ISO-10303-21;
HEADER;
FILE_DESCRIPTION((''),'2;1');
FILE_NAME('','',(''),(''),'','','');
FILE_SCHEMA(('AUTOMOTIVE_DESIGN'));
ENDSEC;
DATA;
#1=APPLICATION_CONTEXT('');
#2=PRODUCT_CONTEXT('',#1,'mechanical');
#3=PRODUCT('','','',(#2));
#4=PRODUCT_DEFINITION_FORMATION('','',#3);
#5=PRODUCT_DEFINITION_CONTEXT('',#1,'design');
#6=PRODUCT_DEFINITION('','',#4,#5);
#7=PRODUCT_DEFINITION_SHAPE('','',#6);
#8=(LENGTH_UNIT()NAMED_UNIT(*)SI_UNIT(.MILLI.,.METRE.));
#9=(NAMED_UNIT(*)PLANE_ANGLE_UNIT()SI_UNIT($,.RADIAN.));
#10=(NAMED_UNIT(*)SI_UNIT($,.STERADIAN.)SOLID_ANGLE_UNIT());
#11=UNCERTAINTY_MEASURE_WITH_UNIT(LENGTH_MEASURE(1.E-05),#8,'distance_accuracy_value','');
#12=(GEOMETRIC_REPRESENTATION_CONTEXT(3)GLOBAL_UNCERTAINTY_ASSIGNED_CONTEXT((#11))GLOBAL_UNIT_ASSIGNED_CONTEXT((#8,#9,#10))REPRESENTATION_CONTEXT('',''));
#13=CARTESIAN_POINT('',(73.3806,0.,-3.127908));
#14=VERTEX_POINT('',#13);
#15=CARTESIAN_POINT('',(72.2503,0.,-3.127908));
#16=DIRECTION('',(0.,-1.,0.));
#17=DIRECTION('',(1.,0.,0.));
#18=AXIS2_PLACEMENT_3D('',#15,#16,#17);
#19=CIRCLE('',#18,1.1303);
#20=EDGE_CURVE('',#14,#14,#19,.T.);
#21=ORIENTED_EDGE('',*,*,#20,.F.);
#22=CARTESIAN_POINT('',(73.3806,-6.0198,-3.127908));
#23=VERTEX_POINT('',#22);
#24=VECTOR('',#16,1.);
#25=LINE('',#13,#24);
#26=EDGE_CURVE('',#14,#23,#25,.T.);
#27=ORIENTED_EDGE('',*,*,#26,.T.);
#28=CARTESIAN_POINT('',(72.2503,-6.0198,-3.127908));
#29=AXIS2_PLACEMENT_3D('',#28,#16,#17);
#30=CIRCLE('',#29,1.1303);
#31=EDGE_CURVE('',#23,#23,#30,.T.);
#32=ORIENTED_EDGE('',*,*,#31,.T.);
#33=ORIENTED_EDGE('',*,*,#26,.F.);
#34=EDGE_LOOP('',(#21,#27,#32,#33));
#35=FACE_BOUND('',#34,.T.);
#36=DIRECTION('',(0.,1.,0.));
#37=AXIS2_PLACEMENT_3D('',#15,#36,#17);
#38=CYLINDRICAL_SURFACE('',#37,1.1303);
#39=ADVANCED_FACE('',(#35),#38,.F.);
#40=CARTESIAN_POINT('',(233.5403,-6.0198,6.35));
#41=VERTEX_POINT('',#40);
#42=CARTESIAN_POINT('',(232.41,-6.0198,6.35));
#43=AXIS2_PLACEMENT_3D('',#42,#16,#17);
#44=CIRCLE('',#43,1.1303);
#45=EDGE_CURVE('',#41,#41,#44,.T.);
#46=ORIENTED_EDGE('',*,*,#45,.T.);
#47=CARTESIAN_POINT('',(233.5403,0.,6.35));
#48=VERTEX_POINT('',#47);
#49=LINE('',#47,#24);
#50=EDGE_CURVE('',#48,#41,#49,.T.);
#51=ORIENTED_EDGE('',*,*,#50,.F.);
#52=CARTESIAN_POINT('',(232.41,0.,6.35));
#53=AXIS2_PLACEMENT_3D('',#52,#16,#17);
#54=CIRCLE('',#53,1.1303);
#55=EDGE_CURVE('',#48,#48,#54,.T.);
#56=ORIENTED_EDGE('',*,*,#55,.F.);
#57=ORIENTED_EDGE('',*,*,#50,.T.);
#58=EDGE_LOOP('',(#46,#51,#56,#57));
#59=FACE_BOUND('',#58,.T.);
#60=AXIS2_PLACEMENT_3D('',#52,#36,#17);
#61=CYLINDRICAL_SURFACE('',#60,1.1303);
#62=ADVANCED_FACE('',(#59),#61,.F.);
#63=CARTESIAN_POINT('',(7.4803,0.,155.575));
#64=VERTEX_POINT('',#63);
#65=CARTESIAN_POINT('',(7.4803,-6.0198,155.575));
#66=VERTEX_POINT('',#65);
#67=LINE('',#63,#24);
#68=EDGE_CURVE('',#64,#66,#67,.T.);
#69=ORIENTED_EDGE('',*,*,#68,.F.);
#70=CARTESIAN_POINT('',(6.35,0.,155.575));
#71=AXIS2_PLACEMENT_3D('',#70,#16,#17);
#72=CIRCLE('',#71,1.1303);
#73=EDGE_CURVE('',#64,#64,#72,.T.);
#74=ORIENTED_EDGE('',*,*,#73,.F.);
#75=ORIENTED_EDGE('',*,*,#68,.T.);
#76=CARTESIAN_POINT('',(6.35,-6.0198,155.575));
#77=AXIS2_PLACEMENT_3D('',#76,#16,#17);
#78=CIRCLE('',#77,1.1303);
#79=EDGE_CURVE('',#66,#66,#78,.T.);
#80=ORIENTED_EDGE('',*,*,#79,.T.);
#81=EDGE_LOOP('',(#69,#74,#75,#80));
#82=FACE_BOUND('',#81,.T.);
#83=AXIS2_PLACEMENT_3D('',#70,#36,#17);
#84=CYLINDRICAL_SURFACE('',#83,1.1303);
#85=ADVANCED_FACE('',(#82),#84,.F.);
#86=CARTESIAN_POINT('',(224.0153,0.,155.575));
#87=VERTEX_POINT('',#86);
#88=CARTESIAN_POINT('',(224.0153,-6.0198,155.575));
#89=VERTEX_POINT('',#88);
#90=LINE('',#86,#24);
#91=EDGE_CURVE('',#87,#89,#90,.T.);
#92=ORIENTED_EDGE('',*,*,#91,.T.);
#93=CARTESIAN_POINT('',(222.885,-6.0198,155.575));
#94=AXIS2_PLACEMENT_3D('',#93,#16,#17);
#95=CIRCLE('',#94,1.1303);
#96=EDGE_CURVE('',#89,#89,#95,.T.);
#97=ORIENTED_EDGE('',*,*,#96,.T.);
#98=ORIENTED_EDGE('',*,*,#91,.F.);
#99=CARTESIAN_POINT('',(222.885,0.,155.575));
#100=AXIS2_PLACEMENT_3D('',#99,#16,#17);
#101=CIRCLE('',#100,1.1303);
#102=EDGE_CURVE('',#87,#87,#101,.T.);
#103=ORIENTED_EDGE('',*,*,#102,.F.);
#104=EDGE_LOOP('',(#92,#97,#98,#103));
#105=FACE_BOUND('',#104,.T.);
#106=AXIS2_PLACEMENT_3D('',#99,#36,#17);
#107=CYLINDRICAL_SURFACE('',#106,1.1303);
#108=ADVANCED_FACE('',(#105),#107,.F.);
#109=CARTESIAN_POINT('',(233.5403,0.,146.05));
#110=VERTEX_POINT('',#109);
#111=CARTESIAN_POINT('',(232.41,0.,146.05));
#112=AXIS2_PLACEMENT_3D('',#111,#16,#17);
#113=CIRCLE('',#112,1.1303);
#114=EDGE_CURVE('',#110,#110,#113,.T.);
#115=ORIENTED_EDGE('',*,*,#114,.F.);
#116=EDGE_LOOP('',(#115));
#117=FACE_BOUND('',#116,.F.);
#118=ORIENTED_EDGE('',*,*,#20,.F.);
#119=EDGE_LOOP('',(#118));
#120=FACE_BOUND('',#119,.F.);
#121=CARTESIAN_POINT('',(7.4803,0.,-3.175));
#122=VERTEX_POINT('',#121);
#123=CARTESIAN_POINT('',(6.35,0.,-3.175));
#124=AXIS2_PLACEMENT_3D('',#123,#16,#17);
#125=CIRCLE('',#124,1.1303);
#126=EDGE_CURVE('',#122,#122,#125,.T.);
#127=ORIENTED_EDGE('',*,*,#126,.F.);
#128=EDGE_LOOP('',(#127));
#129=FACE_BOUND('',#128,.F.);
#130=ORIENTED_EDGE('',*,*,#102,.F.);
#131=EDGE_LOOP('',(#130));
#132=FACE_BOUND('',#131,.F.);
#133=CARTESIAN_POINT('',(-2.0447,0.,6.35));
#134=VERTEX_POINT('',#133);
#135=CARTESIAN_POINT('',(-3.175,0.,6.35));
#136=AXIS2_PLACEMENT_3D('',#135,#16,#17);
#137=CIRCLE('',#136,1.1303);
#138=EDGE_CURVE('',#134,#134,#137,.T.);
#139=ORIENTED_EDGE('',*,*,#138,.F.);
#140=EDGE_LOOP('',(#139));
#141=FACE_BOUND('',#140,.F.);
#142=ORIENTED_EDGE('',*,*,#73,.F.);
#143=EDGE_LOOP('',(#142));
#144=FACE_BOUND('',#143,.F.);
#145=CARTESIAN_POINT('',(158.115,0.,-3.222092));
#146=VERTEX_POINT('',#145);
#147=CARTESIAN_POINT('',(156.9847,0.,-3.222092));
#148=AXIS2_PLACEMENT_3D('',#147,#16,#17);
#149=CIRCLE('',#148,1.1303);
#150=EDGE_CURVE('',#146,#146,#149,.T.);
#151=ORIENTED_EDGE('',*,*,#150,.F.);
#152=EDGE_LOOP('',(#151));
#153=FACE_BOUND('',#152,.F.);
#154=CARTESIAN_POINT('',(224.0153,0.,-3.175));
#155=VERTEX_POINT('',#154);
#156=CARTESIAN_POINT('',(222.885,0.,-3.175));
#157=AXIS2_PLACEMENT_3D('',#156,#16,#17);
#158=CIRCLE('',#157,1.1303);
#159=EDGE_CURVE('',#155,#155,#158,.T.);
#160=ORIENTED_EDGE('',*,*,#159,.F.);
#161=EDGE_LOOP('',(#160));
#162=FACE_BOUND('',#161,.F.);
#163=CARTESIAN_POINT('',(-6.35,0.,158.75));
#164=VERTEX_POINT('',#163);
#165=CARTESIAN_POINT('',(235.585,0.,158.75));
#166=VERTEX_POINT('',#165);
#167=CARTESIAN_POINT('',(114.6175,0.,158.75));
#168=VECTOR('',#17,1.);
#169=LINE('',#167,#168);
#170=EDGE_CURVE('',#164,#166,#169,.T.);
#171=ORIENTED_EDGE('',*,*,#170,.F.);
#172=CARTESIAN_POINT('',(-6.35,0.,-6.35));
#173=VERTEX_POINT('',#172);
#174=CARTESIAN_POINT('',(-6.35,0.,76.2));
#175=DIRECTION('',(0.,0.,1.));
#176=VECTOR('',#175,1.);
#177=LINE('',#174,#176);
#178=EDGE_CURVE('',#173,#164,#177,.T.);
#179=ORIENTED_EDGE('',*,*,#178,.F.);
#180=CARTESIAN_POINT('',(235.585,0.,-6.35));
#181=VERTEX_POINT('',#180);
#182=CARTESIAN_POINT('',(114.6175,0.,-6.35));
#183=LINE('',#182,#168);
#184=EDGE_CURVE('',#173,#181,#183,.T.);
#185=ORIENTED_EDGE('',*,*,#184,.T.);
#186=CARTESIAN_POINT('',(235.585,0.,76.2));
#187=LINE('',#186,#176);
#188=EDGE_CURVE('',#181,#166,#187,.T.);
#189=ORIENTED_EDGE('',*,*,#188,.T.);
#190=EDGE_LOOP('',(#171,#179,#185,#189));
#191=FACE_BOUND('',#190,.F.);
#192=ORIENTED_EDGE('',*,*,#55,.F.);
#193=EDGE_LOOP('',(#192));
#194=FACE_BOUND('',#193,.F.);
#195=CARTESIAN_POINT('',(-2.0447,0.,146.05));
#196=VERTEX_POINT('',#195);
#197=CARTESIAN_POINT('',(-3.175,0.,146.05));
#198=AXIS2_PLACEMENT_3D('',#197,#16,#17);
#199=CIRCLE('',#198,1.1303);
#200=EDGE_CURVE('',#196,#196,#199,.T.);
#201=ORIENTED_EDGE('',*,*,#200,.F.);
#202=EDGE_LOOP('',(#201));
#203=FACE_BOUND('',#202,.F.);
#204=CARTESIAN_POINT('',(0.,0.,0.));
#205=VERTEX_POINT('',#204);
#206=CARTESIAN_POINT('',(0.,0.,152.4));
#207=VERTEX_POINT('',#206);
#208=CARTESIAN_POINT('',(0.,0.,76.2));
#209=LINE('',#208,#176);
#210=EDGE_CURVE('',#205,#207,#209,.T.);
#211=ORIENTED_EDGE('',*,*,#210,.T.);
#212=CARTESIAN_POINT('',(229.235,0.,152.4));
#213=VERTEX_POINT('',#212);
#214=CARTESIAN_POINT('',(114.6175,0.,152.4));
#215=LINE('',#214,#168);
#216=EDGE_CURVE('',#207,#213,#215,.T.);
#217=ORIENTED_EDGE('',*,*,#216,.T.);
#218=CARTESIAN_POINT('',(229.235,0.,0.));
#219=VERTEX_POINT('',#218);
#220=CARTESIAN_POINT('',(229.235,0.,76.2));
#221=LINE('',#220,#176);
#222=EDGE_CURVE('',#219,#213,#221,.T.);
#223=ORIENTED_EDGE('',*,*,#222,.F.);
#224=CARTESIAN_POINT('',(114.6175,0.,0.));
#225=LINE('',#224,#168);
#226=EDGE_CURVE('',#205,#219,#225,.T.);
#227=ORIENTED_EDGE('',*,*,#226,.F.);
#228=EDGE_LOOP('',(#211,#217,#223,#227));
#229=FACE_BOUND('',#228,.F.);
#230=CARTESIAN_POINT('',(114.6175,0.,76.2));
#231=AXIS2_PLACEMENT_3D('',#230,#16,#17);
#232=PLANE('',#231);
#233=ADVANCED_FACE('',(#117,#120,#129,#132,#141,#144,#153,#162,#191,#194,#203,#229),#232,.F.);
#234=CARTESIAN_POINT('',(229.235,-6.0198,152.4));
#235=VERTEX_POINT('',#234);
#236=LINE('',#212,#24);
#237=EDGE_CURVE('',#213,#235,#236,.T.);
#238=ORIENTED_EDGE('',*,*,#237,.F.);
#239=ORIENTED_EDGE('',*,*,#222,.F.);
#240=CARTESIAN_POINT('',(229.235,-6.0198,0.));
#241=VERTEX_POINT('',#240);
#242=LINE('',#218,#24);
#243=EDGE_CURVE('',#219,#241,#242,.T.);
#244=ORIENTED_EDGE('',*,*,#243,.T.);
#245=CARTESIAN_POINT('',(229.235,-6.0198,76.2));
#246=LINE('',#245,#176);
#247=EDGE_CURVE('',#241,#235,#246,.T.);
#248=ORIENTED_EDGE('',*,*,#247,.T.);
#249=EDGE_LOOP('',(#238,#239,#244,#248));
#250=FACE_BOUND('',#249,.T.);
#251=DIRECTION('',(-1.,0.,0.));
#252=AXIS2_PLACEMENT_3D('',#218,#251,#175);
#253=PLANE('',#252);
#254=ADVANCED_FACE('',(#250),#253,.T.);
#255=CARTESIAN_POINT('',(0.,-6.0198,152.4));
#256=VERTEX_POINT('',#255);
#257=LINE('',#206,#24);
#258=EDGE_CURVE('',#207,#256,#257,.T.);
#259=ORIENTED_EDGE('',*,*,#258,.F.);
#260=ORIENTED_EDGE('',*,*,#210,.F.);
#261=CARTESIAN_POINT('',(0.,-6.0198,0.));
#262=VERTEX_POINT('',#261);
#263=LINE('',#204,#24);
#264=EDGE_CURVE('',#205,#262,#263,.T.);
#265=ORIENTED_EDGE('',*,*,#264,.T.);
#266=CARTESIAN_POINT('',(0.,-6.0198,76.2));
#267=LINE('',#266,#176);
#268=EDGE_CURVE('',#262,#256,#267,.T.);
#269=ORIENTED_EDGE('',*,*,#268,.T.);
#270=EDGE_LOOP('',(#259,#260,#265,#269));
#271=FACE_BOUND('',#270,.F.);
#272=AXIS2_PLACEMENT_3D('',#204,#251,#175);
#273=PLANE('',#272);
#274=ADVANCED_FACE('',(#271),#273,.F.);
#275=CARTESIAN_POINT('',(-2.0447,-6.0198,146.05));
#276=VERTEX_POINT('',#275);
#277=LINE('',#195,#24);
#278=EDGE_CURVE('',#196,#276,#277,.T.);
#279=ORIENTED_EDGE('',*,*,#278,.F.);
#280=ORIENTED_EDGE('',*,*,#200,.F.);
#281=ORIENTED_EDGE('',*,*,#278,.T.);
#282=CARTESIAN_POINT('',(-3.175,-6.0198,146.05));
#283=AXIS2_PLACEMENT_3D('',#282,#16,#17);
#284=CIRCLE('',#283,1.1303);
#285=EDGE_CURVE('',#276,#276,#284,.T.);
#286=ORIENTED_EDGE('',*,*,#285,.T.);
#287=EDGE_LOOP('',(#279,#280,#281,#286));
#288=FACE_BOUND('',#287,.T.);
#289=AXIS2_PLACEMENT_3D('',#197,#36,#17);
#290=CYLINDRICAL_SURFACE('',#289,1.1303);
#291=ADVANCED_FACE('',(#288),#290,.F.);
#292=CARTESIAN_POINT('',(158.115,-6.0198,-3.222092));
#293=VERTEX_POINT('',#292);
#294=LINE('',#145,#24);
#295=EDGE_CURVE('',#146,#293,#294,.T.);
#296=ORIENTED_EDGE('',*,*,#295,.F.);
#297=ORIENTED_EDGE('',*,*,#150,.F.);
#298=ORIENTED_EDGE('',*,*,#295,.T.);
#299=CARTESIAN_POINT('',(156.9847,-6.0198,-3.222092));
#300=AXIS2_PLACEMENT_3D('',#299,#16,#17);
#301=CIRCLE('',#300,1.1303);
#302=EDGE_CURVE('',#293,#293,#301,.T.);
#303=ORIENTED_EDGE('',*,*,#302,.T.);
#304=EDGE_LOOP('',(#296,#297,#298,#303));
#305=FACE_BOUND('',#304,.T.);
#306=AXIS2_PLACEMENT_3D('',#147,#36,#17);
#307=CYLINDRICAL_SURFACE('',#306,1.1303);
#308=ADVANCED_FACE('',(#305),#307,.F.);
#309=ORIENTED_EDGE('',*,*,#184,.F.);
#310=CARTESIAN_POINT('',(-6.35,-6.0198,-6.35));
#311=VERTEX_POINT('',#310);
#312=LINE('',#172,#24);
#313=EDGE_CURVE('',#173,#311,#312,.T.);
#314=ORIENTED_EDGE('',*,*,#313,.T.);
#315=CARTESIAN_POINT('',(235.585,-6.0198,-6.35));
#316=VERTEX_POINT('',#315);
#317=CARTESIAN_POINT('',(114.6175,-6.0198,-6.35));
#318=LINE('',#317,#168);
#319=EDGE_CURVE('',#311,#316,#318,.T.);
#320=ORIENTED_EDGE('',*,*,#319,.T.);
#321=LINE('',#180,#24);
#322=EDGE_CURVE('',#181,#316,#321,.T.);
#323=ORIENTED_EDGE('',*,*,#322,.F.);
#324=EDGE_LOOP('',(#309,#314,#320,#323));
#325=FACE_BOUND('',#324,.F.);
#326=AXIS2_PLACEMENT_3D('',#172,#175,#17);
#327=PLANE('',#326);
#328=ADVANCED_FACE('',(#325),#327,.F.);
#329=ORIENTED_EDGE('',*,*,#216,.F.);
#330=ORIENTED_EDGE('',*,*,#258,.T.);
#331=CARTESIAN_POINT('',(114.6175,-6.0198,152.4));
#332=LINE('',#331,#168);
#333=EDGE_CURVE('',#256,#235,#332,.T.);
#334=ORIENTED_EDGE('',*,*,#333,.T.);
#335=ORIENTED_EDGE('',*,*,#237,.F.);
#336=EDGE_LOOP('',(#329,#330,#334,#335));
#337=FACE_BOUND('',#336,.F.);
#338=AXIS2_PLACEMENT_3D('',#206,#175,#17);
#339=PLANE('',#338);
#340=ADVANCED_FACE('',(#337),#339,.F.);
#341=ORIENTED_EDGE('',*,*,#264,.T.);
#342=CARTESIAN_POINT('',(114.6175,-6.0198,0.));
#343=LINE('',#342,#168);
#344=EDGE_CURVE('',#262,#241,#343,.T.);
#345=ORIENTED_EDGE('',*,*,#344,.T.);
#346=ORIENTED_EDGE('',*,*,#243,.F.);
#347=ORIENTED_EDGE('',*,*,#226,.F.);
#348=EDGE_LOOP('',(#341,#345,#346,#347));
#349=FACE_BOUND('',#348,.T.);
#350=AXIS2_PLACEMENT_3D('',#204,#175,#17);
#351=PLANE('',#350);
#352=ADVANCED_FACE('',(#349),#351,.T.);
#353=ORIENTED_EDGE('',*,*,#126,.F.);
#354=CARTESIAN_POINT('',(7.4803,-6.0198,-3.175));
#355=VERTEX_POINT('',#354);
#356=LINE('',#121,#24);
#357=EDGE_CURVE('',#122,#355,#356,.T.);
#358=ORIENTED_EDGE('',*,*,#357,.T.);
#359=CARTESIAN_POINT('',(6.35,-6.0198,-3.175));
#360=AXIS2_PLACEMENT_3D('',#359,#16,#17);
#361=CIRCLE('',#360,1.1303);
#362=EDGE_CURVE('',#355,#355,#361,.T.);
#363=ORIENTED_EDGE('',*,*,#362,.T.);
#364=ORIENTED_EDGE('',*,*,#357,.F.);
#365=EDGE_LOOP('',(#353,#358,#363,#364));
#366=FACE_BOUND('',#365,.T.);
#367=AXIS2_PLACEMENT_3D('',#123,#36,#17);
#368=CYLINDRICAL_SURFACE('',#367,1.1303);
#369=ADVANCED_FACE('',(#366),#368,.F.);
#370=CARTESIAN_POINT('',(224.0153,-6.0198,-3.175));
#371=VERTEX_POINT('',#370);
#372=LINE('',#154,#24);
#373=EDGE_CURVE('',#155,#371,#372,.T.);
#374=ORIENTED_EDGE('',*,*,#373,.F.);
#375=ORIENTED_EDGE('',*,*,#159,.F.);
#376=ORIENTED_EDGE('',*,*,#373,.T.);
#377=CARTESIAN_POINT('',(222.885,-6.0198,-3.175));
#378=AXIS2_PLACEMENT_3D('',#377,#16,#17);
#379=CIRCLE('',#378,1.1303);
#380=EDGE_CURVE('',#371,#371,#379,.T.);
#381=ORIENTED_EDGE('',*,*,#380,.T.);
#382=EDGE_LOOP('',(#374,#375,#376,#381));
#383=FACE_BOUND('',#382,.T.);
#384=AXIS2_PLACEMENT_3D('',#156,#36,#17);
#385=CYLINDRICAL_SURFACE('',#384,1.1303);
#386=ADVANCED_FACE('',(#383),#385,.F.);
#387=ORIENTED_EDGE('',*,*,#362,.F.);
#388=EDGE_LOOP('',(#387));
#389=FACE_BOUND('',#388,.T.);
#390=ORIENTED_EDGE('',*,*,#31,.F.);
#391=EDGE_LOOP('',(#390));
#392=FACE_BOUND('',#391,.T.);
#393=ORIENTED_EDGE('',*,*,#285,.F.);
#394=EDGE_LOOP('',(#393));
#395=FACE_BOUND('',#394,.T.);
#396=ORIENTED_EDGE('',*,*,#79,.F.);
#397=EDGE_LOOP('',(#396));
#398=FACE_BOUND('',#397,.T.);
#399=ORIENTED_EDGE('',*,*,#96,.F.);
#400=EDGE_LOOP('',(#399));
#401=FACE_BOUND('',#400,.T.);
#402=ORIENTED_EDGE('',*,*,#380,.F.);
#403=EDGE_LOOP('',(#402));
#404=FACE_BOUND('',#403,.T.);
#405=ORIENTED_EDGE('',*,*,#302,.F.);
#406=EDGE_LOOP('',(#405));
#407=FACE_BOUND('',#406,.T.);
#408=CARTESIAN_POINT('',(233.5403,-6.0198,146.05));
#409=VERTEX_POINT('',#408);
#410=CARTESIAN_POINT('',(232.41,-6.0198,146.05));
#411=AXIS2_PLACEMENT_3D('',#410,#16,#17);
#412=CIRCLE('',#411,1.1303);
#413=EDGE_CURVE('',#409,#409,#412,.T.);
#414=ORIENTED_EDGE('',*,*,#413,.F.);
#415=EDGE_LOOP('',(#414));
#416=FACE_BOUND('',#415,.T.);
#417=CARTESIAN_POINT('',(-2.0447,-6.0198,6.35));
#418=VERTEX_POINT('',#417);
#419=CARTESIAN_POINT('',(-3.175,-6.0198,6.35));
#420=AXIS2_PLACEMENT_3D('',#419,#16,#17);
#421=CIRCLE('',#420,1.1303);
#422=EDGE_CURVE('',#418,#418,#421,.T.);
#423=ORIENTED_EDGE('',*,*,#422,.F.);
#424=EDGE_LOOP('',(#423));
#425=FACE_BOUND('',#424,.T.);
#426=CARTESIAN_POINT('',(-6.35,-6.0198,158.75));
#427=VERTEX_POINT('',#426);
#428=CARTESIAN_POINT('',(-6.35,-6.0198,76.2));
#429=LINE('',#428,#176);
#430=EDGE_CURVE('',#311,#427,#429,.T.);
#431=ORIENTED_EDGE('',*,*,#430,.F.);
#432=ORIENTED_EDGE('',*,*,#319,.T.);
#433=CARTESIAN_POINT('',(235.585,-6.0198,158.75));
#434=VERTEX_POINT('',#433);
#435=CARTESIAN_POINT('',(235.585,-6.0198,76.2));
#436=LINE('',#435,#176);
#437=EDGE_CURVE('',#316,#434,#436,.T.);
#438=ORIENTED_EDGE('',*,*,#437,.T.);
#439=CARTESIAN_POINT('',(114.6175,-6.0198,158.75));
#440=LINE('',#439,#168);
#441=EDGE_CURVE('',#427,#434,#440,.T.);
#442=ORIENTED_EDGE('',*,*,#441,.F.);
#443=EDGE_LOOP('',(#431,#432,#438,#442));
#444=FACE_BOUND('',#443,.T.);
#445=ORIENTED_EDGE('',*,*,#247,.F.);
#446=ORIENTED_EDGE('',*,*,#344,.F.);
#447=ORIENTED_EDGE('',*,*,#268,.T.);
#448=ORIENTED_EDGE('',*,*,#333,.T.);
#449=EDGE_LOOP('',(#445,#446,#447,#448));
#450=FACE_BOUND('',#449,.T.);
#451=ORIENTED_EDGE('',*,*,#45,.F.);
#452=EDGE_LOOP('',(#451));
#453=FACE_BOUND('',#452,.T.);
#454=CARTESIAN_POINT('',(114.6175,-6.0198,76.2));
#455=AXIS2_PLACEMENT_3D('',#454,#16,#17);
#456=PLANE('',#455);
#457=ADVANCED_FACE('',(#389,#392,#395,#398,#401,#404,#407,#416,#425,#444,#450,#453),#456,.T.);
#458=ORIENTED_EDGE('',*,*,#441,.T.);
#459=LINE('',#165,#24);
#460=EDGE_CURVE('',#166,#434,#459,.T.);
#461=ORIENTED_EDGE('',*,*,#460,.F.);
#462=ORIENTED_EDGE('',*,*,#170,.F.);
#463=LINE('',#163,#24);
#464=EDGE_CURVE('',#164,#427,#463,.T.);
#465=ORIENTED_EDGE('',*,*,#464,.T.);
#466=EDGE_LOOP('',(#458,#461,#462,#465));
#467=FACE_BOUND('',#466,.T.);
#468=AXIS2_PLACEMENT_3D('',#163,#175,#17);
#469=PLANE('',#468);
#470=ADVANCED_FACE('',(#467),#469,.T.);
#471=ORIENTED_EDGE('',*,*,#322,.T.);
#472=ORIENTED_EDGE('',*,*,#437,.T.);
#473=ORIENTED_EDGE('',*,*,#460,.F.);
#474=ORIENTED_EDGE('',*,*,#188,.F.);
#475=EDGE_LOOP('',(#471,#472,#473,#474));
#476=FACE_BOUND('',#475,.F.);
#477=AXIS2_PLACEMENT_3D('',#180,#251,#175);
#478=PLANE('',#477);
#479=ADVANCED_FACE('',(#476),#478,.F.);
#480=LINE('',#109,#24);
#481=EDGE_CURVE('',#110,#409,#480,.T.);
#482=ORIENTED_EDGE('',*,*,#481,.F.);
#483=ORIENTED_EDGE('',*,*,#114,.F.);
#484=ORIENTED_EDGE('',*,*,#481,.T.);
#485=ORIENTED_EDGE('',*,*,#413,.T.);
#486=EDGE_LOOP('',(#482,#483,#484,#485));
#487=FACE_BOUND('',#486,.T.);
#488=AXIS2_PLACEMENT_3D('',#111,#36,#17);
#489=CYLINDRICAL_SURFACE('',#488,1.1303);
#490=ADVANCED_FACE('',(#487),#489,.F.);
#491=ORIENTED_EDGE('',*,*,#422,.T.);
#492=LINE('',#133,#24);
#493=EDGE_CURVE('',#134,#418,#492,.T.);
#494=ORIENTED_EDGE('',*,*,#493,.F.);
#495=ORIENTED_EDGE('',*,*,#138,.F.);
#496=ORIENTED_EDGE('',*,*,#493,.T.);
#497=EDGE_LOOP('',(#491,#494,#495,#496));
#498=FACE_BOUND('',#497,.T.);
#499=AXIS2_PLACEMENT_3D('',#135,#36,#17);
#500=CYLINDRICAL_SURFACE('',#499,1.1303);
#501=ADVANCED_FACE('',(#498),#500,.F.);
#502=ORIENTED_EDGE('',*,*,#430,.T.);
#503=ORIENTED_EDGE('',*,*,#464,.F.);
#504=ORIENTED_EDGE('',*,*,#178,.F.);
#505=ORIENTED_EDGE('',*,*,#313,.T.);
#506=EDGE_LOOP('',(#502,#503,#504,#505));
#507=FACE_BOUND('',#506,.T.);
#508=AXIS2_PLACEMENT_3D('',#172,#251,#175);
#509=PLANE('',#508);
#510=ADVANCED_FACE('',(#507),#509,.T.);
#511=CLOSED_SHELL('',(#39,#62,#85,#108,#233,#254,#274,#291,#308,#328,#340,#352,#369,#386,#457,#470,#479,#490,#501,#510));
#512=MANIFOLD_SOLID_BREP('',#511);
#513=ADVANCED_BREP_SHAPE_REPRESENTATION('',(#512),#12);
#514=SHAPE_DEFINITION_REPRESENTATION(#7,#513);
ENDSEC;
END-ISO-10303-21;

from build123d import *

# Parameters (mm, degrees)
F0_W     = 241.935
F0_H     = 165.1
F0_R     = 1.1303
F0_W_2   = 229.235
F0_H_2   = 152.4
F1_DEPTH = 6.0198


with BuildPart() as f1:
    # F0 (on Front) → F1 (new body)
    with BuildSketch(Plane.XZ):
        with Locations((114.6175, 76.2)):
            Rectangle(F0_W, F0_H)
        with Locations((6.35, -3.175)):
            Circle(F0_R, mode=Mode.SUBTRACT)
        with Locations((-3.175, 6.35)):
            Circle(F0_R, mode=Mode.SUBTRACT)
        with Locations((72.2503, -3.127908)):
            Circle(F0_R, mode=Mode.SUBTRACT)
        with Locations((156.9847, -3.222092)):
            Circle(F0_R, mode=Mode.SUBTRACT)
        with Locations((222.885, -3.175)):
            Circle(F0_R, mode=Mode.SUBTRACT)
        with Locations((232.41, 6.35)):
            Circle(F0_R, mode=Mode.SUBTRACT)
        with Locations((-3.175, 146.05)):
            Circle(F0_R, mode=Mode.SUBTRACT)
        with Locations((6.35, 155.575)):
            Circle(F0_R, mode=Mode.SUBTRACT)
        with Locations((114.6175, 76.2)):
            Rectangle(F0_W_2, F0_H_2, mode=Mode.SUBTRACT)
        with Locations((232.41, 146.05)):
            Circle(F0_R, mode=Mode.SUBTRACT)
        with Locations((222.885, 155.575)):
            Circle(F0_R, mode=Mode.SUBTRACT)
    extrude(amount=F1_DEPTH)


solid = f1.part
